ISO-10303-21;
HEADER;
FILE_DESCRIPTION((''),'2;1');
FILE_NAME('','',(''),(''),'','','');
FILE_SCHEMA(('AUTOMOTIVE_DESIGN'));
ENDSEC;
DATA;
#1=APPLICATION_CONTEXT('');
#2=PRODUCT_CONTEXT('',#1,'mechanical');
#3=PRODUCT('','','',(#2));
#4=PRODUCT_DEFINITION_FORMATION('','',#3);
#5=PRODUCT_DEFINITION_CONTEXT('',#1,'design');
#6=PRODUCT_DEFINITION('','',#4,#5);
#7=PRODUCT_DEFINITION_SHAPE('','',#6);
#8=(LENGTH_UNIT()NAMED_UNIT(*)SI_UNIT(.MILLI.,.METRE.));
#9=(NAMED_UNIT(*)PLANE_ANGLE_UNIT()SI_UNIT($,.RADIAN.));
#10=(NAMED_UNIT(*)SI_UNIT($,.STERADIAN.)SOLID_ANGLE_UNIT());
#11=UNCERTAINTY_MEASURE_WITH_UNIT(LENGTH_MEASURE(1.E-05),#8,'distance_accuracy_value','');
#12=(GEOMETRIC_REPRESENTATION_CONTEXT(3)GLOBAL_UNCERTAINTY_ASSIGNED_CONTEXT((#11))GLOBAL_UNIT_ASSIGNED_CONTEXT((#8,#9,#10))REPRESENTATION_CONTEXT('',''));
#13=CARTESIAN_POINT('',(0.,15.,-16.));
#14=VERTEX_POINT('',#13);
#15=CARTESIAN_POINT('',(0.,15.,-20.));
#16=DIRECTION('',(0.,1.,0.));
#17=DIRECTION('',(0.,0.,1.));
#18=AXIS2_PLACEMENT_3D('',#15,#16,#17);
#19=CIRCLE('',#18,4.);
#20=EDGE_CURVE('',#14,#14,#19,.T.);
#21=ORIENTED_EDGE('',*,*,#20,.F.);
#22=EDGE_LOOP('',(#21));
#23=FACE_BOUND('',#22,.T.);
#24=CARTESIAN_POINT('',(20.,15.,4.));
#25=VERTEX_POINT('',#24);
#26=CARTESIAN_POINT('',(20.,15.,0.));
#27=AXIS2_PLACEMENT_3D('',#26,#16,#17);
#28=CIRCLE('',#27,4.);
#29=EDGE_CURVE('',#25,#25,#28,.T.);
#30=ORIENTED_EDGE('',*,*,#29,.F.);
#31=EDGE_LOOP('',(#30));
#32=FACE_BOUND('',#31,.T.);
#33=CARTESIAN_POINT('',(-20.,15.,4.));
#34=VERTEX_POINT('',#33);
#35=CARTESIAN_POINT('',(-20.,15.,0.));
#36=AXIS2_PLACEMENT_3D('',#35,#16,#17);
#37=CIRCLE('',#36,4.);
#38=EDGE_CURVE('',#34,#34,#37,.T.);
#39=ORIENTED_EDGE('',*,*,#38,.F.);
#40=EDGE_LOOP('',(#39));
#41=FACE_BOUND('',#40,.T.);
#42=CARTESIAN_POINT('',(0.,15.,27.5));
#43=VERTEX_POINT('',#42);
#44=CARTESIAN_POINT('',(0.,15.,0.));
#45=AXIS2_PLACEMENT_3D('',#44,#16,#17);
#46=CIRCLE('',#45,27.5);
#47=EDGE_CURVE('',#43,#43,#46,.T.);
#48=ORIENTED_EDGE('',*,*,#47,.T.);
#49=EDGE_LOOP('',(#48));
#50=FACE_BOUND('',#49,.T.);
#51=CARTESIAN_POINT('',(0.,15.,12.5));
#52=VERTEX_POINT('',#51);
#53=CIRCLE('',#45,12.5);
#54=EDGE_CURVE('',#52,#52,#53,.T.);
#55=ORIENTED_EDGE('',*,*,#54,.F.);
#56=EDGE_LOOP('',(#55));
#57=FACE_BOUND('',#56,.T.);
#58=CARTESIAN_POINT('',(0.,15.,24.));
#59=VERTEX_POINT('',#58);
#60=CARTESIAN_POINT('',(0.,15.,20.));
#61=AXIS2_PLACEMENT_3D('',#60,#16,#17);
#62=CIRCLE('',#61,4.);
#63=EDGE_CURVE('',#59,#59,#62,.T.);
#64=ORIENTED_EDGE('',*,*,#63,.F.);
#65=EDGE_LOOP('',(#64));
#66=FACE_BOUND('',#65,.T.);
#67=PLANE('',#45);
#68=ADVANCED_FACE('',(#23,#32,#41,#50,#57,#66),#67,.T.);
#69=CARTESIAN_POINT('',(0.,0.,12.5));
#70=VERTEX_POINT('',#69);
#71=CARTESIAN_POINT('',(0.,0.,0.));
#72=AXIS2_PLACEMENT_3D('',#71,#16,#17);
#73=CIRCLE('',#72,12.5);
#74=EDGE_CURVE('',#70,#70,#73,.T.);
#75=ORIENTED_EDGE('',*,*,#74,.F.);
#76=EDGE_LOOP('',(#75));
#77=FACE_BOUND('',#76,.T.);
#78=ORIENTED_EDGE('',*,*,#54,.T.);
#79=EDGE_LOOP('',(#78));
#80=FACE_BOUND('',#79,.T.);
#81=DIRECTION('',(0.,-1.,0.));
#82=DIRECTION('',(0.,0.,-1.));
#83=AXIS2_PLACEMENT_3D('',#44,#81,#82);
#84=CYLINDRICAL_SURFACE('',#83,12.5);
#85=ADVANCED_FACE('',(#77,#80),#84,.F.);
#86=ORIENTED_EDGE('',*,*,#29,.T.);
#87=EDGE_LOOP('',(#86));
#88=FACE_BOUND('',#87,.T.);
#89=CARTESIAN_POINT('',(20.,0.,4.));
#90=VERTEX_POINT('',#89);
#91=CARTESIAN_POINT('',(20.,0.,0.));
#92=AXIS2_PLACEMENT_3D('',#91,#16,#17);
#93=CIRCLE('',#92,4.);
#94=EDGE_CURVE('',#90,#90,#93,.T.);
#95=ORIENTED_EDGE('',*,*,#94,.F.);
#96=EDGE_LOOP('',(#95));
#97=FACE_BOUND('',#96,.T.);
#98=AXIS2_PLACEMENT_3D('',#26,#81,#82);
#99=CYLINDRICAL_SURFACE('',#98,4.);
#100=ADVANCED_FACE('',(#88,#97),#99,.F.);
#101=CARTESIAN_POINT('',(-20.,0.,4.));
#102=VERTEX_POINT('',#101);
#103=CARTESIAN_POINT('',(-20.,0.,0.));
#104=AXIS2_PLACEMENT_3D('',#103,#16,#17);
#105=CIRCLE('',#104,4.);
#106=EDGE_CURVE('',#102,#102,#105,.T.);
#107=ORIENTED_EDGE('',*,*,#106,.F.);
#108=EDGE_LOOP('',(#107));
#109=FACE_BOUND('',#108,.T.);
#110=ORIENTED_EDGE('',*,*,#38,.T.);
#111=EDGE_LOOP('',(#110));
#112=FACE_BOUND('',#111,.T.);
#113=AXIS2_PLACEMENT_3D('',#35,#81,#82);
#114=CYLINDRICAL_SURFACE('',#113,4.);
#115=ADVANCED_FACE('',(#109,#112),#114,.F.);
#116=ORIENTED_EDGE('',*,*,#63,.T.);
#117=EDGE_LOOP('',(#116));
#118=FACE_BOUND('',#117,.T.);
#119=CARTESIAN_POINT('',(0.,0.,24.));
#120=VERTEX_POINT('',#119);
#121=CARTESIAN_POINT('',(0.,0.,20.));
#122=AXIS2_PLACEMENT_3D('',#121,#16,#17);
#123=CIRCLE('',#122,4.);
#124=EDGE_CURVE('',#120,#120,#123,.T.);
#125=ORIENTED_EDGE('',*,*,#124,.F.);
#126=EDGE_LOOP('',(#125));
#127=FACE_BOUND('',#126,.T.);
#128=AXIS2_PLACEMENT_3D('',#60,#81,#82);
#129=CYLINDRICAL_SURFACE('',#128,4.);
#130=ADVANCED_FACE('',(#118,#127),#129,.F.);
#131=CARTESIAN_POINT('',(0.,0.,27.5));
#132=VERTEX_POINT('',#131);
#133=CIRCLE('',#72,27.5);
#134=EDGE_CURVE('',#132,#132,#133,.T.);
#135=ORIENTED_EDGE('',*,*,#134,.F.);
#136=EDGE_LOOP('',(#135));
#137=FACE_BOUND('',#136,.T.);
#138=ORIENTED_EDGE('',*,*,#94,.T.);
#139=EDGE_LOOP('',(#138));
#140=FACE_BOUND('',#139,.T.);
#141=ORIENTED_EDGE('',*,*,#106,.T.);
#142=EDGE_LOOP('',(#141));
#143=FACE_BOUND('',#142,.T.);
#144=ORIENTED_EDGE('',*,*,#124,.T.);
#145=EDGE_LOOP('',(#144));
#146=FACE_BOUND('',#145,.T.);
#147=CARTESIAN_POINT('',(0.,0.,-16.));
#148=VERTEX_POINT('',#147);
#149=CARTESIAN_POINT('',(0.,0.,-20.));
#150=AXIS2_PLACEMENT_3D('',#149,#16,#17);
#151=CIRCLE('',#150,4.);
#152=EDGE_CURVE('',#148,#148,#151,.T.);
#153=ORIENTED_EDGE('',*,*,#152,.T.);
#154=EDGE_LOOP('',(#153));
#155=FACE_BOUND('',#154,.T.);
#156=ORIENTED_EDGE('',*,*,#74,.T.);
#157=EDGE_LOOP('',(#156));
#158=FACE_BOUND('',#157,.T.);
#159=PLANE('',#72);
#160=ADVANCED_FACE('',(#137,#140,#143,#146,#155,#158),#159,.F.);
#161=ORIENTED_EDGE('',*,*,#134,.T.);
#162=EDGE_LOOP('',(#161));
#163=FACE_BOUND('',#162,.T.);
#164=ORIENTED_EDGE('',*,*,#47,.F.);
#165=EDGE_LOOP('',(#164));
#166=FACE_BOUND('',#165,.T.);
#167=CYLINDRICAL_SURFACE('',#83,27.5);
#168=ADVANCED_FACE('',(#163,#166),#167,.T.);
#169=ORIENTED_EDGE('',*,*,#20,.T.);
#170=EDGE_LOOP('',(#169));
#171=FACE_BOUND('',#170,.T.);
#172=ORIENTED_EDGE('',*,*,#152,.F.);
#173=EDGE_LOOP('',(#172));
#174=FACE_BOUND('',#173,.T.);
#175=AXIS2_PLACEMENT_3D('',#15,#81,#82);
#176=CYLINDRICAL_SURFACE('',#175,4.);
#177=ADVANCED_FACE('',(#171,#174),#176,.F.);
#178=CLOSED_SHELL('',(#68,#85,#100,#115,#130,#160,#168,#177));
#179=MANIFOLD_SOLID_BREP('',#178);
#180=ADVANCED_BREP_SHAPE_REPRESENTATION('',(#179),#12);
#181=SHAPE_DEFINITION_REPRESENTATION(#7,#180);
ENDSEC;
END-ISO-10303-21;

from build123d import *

# Parameters (mm, degrees)
SKETCH1_R           = 27.5
SKETCH1_R_2         = 12.5
SKETCH1_R_3         = 4
BOSS_EXTRUDE1_DEPTH = 15


with BuildPart() as part:
    # Sketch1 → Boss-Extrude1 (new body)
    with BuildSketch(Plane(origin=(0, 0, 0), x_dir=(1, 0, 0), z_dir=(0, 1, 0))):
        Circle(SKETCH1_R)
        Circle(SKETCH1_R_2, mode=Mode.SUBTRACT)
        with Locations((0, 20)):
            Circle(SKETCH1_R_3, mode=Mode.SUBTRACT)
        with Locations((20, 0)):
            Circle(SKETCH1_R_3, mode=Mode.SUBTRACT)
        with Locations((0, -20)):
            Circle(SKETCH1_R_3, mode=Mode.SUBTRACT)
        with Locations((-20, 0)):
            Circle(SKETCH1_R_3, mode=Mode.SUBTRACT)
    extrude(amount=BOSS_EXTRUDE1_DEPTH)


solid = part.part
